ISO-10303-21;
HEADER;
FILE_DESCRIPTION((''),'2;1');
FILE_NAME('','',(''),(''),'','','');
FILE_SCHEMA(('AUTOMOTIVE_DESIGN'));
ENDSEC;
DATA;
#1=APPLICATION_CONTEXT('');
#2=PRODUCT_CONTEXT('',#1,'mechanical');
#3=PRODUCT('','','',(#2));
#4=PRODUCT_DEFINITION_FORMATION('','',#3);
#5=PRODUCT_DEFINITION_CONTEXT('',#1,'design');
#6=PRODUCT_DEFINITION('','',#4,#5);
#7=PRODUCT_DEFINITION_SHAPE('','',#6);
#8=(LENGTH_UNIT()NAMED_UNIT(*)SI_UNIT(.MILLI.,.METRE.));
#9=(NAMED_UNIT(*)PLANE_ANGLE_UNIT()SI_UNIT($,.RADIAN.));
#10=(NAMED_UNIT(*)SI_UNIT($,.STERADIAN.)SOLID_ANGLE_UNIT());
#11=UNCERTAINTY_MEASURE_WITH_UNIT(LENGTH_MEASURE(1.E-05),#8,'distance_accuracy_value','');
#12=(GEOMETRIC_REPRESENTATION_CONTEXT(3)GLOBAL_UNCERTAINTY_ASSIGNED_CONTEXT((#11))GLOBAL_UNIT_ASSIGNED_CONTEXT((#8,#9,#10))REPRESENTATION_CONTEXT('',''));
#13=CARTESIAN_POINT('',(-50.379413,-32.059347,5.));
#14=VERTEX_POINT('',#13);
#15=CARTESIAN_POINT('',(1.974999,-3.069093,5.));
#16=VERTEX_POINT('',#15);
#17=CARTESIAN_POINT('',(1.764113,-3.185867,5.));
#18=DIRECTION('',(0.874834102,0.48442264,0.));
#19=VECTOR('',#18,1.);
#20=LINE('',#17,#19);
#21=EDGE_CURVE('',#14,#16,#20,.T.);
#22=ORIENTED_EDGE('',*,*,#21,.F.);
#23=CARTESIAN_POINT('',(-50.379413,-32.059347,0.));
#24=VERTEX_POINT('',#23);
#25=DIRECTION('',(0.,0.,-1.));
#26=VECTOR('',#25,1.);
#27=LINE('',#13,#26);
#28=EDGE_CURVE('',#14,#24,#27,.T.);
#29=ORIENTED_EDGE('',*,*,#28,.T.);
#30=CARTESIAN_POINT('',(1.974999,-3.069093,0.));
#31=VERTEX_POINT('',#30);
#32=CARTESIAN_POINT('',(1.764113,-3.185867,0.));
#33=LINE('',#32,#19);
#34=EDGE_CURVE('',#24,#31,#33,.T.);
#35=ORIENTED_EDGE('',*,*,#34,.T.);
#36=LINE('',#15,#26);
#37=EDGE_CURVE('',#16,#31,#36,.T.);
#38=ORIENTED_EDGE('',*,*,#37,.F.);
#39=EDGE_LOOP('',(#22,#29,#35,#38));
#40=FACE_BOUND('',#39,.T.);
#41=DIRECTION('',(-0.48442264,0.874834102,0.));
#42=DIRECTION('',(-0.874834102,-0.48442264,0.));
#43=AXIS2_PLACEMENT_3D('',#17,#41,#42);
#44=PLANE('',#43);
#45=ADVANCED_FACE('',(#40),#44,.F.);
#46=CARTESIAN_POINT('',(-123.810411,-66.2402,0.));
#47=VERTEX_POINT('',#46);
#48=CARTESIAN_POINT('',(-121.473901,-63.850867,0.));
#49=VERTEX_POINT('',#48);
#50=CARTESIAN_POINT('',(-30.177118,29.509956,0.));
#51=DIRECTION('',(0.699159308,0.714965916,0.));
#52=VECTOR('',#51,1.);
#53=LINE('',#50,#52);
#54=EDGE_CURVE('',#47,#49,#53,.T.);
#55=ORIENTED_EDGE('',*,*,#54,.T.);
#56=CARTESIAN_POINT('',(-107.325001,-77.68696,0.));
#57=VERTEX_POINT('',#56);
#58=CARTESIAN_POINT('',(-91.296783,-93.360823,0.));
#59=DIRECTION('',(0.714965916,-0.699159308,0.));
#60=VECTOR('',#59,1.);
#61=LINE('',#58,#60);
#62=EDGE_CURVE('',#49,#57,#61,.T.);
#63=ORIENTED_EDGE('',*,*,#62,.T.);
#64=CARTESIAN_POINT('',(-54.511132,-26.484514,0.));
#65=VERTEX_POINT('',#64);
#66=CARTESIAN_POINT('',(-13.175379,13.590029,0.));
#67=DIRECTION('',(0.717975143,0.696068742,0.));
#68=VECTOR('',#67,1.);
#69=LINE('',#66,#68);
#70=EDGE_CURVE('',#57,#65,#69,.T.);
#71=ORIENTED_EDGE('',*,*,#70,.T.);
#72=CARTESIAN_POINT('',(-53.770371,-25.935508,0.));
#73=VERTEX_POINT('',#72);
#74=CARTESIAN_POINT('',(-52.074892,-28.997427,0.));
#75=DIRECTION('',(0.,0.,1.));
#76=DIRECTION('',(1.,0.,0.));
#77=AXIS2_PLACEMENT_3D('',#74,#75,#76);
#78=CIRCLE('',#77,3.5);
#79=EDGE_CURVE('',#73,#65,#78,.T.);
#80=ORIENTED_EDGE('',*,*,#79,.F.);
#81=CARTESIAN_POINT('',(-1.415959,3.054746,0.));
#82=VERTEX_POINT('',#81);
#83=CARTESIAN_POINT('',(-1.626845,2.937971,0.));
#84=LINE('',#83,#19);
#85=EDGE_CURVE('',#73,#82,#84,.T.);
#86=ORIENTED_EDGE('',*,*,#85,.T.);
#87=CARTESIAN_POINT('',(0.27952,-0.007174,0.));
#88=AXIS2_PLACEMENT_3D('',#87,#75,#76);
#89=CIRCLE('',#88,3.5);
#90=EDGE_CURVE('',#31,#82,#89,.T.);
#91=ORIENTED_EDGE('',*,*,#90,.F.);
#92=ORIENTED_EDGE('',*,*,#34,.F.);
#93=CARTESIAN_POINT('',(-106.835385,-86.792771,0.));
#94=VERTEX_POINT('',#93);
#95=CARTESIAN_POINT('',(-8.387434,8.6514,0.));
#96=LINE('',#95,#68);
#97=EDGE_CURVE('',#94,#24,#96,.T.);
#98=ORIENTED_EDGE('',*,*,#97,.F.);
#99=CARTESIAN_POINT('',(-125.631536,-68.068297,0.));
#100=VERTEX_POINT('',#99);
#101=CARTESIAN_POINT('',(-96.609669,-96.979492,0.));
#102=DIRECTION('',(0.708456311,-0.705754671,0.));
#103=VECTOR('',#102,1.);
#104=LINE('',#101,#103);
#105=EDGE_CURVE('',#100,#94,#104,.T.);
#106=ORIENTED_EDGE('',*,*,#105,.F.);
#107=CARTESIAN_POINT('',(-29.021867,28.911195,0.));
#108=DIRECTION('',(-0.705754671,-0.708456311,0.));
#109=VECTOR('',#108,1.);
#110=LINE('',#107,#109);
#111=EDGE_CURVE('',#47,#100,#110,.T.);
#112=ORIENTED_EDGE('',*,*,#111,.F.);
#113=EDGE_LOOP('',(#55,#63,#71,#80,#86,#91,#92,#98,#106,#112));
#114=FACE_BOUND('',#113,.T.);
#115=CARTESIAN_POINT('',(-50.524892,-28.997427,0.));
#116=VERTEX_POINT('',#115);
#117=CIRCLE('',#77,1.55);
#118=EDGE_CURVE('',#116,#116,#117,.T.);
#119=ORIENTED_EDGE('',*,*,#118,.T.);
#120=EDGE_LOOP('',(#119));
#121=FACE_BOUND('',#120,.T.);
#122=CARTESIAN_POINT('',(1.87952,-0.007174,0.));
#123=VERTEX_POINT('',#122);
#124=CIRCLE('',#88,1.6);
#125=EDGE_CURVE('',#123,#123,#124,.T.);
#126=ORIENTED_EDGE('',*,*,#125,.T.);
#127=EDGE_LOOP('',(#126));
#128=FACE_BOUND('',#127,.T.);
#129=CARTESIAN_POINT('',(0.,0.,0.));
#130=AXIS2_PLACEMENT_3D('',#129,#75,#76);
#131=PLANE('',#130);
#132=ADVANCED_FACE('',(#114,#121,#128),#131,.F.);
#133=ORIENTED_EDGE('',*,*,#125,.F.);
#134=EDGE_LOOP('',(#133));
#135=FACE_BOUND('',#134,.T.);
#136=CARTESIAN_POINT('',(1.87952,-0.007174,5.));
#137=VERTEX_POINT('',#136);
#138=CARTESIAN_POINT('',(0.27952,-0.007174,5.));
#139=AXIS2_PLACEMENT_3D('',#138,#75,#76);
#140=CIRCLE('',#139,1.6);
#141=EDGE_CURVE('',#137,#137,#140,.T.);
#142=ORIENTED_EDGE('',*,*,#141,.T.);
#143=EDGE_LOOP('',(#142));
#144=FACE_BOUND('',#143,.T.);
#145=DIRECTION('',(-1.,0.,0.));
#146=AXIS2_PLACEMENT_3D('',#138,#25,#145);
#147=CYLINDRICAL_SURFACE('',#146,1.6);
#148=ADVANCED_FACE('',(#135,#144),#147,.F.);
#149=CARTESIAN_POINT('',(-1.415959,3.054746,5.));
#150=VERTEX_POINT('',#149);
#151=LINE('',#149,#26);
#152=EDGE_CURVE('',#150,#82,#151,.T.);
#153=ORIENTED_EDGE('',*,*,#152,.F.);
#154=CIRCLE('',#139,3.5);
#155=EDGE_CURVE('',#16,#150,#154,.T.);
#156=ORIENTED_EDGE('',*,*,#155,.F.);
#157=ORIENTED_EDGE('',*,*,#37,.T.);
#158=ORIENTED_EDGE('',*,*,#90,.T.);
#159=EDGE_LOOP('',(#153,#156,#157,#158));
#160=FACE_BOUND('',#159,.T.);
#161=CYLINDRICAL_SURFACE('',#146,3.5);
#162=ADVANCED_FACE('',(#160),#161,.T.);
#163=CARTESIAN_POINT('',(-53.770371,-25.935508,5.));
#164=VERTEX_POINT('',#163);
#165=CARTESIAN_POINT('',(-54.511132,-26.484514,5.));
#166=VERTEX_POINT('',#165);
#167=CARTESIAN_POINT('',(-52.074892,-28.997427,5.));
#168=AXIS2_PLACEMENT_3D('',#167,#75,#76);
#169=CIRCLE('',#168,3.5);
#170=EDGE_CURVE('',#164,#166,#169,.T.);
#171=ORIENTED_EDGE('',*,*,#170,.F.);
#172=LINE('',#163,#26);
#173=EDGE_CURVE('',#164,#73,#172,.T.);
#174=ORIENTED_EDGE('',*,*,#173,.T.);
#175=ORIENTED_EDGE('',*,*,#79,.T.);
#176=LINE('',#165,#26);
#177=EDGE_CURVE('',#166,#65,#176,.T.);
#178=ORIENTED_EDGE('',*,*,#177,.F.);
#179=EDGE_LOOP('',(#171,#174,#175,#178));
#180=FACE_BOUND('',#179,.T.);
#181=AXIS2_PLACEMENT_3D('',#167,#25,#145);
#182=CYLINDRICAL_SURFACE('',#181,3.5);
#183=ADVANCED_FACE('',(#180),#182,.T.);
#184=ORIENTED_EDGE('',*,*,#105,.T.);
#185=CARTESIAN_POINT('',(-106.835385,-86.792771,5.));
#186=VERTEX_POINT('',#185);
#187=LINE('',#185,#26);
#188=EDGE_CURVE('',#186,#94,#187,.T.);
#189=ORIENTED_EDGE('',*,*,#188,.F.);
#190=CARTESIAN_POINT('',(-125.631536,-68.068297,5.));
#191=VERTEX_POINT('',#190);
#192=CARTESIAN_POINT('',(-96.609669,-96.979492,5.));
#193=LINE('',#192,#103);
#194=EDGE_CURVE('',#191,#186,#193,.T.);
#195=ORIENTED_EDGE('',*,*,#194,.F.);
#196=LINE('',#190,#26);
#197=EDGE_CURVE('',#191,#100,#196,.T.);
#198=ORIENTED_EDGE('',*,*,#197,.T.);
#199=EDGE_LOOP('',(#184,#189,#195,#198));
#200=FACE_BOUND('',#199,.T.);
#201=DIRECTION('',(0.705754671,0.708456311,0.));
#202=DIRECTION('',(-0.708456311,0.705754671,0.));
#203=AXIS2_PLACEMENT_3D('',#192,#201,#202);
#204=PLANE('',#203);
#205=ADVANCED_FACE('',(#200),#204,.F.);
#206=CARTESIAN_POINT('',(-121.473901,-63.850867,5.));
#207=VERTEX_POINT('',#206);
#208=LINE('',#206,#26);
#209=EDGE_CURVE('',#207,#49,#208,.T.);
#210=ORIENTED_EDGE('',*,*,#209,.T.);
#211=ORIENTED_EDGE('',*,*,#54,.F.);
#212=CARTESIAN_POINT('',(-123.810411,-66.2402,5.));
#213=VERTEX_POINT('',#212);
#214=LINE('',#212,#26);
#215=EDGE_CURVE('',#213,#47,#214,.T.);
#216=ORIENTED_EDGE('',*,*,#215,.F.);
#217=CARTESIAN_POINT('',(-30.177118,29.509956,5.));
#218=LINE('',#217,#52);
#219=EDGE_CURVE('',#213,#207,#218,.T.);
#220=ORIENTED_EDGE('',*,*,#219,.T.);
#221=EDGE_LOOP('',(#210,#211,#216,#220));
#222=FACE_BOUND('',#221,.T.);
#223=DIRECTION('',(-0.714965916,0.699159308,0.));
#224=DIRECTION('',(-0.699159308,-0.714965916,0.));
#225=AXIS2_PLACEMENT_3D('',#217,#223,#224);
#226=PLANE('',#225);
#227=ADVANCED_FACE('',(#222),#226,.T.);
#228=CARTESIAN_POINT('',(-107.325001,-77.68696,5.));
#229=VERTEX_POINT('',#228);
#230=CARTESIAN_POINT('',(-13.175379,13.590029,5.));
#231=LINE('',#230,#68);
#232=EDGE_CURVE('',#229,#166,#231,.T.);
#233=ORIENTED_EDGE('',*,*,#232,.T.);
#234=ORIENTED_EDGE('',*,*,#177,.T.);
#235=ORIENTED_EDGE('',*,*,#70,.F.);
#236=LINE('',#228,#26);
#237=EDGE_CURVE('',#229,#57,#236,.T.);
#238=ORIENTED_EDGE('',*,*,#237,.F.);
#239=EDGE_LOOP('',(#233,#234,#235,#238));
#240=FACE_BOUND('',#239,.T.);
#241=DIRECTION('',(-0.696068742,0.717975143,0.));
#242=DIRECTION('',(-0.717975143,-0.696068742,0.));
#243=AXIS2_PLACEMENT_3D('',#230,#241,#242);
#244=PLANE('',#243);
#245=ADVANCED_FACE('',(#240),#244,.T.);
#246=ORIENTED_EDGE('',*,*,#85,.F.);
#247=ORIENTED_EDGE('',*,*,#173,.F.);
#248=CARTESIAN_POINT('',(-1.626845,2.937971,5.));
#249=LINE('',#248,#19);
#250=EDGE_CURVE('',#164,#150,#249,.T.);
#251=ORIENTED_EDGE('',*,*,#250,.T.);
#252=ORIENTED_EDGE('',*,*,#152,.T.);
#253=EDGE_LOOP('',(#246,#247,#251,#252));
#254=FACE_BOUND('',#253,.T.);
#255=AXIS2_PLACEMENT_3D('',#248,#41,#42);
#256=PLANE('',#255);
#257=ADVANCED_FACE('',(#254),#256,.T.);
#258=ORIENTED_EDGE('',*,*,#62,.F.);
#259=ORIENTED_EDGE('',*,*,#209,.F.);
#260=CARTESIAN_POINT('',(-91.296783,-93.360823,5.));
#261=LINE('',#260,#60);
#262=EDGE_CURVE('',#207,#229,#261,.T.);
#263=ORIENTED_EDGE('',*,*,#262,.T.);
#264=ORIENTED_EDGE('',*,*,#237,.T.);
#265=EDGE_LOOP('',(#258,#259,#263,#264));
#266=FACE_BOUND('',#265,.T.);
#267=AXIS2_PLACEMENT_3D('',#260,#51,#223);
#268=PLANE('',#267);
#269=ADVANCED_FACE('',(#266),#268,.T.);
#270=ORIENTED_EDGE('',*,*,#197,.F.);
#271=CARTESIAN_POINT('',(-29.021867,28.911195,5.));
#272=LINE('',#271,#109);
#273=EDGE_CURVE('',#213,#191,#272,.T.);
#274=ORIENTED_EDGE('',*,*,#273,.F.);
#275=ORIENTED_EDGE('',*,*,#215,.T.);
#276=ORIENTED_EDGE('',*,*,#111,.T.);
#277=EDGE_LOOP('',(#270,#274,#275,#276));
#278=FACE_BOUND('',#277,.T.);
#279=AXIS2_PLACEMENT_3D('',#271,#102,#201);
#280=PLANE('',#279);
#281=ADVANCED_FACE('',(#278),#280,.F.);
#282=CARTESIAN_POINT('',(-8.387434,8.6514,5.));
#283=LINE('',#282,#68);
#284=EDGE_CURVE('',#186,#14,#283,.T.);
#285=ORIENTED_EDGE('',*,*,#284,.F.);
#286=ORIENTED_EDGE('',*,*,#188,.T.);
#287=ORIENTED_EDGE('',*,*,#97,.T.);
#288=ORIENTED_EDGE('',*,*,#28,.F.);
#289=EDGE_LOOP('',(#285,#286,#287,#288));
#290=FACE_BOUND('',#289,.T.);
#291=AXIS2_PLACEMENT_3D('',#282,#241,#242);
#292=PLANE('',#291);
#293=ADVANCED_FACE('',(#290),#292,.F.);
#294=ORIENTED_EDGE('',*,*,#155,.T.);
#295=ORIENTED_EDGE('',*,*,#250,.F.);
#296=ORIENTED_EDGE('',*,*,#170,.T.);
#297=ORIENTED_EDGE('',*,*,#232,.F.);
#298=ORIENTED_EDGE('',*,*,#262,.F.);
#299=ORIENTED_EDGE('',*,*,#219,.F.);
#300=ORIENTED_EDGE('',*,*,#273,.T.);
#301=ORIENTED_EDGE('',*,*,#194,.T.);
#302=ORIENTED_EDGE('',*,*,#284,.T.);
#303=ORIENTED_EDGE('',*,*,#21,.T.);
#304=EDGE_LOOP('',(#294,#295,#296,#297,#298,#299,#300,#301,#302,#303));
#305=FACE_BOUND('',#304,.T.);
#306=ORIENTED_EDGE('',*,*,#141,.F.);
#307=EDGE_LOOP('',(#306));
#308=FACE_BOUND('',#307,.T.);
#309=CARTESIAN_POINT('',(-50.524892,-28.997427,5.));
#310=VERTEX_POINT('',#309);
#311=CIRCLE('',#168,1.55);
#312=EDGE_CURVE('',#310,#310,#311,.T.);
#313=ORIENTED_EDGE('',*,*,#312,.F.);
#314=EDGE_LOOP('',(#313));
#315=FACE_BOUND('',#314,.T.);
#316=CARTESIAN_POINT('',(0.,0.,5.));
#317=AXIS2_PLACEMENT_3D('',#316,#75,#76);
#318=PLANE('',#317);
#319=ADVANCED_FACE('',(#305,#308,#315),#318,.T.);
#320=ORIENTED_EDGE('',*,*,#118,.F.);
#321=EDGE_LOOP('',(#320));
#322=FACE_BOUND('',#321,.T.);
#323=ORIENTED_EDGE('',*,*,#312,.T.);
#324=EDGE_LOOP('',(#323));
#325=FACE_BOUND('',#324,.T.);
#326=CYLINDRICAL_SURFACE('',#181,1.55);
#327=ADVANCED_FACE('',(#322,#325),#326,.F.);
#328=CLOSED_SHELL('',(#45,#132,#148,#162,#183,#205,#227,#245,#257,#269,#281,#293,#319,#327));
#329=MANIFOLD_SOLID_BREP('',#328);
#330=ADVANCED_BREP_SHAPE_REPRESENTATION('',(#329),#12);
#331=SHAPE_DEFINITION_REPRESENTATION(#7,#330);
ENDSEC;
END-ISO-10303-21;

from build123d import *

# Parameters (mm, degrees)
SKETCH1_R           = 3.5
SKETCH1_R_2         = 1.55
SKETCH1_R_3         = 1.6
BOSS_EXTRUDE1_DEPTH = 5


with BuildPart() as part:
    # Sketch1 → Boss-Extrude1 (new body)
    # profile 1 of 4: a face of its own
    with BuildSketch(Plane.XY):
        with BuildLine():
            ThreePointArc((-50.379412597, -32.059346711), (-54.886807697, -31.081444916), (-54.511132434, -26.484514353))
            Line((-54.511132434, -26.484514353), (-107.325001283, -77.686959994))
            Line((-107.325001283, -77.686959994), (-121.473901164, -63.850866788))
            Line((-121.473901164, -63.850866788), (-123.810410836, -66.240200318))
            Line((-123.810410836, -66.240200318), (-125.631536255, -68.068297032))
            Line((-125.631536255, -68.068297032), (-106.835385186, -86.792770537))
            Line((-106.835385186, -86.792770537), (-50.379412597, -32.059346711))
        make_face()
    # profile 2 of 4: a face of its own
    with BuildSketch(Plane.XY):
        with BuildLine():
            Line((-1.415959287, 3.054745501), (-53.770371078, -25.935507998))
            ThreePointArc((-53.770371078, -25.935507998), (-50.297840536, -25.982118304), (-48.574891838, -28.997427354))
            ThreePointArc((-48.574891838, -28.997427354), (-49.059582787, -30.774478656), (-50.379412597, -32.059346711))
            Line((-50.379412597, -32.059346711), (1.974999193, -3.069093212))
            ThreePointArc((1.974999193, -3.069093212), (-2.782399403, -1.702653096), (-1.415959287, 3.054745501))
        make_face()
    # profile 3 of 4: a face of its own
    with BuildSketch(Plane.XY):
        with Locations((-52.074891838, -28.997427354)):
            Circle(SKETCH1_R)
        with Locations((-52.074891838, -28.997427354)):
            Circle(SKETCH1_R_2, mode=Mode.SUBTRACT)
    # profile 4 of 4: a face of its own
    with BuildSketch(Plane.XY):
        with Locations((0.279519953, -0.007173855)):
            Circle(SKETCH1_R)
        with Locations((0.279519953, -0.007173855)):
            Circle(SKETCH1_R_3, mode=Mode.SUBTRACT)
    extrude(amount=BOSS_EXTRUDE1_DEPTH)


solid = part.part
